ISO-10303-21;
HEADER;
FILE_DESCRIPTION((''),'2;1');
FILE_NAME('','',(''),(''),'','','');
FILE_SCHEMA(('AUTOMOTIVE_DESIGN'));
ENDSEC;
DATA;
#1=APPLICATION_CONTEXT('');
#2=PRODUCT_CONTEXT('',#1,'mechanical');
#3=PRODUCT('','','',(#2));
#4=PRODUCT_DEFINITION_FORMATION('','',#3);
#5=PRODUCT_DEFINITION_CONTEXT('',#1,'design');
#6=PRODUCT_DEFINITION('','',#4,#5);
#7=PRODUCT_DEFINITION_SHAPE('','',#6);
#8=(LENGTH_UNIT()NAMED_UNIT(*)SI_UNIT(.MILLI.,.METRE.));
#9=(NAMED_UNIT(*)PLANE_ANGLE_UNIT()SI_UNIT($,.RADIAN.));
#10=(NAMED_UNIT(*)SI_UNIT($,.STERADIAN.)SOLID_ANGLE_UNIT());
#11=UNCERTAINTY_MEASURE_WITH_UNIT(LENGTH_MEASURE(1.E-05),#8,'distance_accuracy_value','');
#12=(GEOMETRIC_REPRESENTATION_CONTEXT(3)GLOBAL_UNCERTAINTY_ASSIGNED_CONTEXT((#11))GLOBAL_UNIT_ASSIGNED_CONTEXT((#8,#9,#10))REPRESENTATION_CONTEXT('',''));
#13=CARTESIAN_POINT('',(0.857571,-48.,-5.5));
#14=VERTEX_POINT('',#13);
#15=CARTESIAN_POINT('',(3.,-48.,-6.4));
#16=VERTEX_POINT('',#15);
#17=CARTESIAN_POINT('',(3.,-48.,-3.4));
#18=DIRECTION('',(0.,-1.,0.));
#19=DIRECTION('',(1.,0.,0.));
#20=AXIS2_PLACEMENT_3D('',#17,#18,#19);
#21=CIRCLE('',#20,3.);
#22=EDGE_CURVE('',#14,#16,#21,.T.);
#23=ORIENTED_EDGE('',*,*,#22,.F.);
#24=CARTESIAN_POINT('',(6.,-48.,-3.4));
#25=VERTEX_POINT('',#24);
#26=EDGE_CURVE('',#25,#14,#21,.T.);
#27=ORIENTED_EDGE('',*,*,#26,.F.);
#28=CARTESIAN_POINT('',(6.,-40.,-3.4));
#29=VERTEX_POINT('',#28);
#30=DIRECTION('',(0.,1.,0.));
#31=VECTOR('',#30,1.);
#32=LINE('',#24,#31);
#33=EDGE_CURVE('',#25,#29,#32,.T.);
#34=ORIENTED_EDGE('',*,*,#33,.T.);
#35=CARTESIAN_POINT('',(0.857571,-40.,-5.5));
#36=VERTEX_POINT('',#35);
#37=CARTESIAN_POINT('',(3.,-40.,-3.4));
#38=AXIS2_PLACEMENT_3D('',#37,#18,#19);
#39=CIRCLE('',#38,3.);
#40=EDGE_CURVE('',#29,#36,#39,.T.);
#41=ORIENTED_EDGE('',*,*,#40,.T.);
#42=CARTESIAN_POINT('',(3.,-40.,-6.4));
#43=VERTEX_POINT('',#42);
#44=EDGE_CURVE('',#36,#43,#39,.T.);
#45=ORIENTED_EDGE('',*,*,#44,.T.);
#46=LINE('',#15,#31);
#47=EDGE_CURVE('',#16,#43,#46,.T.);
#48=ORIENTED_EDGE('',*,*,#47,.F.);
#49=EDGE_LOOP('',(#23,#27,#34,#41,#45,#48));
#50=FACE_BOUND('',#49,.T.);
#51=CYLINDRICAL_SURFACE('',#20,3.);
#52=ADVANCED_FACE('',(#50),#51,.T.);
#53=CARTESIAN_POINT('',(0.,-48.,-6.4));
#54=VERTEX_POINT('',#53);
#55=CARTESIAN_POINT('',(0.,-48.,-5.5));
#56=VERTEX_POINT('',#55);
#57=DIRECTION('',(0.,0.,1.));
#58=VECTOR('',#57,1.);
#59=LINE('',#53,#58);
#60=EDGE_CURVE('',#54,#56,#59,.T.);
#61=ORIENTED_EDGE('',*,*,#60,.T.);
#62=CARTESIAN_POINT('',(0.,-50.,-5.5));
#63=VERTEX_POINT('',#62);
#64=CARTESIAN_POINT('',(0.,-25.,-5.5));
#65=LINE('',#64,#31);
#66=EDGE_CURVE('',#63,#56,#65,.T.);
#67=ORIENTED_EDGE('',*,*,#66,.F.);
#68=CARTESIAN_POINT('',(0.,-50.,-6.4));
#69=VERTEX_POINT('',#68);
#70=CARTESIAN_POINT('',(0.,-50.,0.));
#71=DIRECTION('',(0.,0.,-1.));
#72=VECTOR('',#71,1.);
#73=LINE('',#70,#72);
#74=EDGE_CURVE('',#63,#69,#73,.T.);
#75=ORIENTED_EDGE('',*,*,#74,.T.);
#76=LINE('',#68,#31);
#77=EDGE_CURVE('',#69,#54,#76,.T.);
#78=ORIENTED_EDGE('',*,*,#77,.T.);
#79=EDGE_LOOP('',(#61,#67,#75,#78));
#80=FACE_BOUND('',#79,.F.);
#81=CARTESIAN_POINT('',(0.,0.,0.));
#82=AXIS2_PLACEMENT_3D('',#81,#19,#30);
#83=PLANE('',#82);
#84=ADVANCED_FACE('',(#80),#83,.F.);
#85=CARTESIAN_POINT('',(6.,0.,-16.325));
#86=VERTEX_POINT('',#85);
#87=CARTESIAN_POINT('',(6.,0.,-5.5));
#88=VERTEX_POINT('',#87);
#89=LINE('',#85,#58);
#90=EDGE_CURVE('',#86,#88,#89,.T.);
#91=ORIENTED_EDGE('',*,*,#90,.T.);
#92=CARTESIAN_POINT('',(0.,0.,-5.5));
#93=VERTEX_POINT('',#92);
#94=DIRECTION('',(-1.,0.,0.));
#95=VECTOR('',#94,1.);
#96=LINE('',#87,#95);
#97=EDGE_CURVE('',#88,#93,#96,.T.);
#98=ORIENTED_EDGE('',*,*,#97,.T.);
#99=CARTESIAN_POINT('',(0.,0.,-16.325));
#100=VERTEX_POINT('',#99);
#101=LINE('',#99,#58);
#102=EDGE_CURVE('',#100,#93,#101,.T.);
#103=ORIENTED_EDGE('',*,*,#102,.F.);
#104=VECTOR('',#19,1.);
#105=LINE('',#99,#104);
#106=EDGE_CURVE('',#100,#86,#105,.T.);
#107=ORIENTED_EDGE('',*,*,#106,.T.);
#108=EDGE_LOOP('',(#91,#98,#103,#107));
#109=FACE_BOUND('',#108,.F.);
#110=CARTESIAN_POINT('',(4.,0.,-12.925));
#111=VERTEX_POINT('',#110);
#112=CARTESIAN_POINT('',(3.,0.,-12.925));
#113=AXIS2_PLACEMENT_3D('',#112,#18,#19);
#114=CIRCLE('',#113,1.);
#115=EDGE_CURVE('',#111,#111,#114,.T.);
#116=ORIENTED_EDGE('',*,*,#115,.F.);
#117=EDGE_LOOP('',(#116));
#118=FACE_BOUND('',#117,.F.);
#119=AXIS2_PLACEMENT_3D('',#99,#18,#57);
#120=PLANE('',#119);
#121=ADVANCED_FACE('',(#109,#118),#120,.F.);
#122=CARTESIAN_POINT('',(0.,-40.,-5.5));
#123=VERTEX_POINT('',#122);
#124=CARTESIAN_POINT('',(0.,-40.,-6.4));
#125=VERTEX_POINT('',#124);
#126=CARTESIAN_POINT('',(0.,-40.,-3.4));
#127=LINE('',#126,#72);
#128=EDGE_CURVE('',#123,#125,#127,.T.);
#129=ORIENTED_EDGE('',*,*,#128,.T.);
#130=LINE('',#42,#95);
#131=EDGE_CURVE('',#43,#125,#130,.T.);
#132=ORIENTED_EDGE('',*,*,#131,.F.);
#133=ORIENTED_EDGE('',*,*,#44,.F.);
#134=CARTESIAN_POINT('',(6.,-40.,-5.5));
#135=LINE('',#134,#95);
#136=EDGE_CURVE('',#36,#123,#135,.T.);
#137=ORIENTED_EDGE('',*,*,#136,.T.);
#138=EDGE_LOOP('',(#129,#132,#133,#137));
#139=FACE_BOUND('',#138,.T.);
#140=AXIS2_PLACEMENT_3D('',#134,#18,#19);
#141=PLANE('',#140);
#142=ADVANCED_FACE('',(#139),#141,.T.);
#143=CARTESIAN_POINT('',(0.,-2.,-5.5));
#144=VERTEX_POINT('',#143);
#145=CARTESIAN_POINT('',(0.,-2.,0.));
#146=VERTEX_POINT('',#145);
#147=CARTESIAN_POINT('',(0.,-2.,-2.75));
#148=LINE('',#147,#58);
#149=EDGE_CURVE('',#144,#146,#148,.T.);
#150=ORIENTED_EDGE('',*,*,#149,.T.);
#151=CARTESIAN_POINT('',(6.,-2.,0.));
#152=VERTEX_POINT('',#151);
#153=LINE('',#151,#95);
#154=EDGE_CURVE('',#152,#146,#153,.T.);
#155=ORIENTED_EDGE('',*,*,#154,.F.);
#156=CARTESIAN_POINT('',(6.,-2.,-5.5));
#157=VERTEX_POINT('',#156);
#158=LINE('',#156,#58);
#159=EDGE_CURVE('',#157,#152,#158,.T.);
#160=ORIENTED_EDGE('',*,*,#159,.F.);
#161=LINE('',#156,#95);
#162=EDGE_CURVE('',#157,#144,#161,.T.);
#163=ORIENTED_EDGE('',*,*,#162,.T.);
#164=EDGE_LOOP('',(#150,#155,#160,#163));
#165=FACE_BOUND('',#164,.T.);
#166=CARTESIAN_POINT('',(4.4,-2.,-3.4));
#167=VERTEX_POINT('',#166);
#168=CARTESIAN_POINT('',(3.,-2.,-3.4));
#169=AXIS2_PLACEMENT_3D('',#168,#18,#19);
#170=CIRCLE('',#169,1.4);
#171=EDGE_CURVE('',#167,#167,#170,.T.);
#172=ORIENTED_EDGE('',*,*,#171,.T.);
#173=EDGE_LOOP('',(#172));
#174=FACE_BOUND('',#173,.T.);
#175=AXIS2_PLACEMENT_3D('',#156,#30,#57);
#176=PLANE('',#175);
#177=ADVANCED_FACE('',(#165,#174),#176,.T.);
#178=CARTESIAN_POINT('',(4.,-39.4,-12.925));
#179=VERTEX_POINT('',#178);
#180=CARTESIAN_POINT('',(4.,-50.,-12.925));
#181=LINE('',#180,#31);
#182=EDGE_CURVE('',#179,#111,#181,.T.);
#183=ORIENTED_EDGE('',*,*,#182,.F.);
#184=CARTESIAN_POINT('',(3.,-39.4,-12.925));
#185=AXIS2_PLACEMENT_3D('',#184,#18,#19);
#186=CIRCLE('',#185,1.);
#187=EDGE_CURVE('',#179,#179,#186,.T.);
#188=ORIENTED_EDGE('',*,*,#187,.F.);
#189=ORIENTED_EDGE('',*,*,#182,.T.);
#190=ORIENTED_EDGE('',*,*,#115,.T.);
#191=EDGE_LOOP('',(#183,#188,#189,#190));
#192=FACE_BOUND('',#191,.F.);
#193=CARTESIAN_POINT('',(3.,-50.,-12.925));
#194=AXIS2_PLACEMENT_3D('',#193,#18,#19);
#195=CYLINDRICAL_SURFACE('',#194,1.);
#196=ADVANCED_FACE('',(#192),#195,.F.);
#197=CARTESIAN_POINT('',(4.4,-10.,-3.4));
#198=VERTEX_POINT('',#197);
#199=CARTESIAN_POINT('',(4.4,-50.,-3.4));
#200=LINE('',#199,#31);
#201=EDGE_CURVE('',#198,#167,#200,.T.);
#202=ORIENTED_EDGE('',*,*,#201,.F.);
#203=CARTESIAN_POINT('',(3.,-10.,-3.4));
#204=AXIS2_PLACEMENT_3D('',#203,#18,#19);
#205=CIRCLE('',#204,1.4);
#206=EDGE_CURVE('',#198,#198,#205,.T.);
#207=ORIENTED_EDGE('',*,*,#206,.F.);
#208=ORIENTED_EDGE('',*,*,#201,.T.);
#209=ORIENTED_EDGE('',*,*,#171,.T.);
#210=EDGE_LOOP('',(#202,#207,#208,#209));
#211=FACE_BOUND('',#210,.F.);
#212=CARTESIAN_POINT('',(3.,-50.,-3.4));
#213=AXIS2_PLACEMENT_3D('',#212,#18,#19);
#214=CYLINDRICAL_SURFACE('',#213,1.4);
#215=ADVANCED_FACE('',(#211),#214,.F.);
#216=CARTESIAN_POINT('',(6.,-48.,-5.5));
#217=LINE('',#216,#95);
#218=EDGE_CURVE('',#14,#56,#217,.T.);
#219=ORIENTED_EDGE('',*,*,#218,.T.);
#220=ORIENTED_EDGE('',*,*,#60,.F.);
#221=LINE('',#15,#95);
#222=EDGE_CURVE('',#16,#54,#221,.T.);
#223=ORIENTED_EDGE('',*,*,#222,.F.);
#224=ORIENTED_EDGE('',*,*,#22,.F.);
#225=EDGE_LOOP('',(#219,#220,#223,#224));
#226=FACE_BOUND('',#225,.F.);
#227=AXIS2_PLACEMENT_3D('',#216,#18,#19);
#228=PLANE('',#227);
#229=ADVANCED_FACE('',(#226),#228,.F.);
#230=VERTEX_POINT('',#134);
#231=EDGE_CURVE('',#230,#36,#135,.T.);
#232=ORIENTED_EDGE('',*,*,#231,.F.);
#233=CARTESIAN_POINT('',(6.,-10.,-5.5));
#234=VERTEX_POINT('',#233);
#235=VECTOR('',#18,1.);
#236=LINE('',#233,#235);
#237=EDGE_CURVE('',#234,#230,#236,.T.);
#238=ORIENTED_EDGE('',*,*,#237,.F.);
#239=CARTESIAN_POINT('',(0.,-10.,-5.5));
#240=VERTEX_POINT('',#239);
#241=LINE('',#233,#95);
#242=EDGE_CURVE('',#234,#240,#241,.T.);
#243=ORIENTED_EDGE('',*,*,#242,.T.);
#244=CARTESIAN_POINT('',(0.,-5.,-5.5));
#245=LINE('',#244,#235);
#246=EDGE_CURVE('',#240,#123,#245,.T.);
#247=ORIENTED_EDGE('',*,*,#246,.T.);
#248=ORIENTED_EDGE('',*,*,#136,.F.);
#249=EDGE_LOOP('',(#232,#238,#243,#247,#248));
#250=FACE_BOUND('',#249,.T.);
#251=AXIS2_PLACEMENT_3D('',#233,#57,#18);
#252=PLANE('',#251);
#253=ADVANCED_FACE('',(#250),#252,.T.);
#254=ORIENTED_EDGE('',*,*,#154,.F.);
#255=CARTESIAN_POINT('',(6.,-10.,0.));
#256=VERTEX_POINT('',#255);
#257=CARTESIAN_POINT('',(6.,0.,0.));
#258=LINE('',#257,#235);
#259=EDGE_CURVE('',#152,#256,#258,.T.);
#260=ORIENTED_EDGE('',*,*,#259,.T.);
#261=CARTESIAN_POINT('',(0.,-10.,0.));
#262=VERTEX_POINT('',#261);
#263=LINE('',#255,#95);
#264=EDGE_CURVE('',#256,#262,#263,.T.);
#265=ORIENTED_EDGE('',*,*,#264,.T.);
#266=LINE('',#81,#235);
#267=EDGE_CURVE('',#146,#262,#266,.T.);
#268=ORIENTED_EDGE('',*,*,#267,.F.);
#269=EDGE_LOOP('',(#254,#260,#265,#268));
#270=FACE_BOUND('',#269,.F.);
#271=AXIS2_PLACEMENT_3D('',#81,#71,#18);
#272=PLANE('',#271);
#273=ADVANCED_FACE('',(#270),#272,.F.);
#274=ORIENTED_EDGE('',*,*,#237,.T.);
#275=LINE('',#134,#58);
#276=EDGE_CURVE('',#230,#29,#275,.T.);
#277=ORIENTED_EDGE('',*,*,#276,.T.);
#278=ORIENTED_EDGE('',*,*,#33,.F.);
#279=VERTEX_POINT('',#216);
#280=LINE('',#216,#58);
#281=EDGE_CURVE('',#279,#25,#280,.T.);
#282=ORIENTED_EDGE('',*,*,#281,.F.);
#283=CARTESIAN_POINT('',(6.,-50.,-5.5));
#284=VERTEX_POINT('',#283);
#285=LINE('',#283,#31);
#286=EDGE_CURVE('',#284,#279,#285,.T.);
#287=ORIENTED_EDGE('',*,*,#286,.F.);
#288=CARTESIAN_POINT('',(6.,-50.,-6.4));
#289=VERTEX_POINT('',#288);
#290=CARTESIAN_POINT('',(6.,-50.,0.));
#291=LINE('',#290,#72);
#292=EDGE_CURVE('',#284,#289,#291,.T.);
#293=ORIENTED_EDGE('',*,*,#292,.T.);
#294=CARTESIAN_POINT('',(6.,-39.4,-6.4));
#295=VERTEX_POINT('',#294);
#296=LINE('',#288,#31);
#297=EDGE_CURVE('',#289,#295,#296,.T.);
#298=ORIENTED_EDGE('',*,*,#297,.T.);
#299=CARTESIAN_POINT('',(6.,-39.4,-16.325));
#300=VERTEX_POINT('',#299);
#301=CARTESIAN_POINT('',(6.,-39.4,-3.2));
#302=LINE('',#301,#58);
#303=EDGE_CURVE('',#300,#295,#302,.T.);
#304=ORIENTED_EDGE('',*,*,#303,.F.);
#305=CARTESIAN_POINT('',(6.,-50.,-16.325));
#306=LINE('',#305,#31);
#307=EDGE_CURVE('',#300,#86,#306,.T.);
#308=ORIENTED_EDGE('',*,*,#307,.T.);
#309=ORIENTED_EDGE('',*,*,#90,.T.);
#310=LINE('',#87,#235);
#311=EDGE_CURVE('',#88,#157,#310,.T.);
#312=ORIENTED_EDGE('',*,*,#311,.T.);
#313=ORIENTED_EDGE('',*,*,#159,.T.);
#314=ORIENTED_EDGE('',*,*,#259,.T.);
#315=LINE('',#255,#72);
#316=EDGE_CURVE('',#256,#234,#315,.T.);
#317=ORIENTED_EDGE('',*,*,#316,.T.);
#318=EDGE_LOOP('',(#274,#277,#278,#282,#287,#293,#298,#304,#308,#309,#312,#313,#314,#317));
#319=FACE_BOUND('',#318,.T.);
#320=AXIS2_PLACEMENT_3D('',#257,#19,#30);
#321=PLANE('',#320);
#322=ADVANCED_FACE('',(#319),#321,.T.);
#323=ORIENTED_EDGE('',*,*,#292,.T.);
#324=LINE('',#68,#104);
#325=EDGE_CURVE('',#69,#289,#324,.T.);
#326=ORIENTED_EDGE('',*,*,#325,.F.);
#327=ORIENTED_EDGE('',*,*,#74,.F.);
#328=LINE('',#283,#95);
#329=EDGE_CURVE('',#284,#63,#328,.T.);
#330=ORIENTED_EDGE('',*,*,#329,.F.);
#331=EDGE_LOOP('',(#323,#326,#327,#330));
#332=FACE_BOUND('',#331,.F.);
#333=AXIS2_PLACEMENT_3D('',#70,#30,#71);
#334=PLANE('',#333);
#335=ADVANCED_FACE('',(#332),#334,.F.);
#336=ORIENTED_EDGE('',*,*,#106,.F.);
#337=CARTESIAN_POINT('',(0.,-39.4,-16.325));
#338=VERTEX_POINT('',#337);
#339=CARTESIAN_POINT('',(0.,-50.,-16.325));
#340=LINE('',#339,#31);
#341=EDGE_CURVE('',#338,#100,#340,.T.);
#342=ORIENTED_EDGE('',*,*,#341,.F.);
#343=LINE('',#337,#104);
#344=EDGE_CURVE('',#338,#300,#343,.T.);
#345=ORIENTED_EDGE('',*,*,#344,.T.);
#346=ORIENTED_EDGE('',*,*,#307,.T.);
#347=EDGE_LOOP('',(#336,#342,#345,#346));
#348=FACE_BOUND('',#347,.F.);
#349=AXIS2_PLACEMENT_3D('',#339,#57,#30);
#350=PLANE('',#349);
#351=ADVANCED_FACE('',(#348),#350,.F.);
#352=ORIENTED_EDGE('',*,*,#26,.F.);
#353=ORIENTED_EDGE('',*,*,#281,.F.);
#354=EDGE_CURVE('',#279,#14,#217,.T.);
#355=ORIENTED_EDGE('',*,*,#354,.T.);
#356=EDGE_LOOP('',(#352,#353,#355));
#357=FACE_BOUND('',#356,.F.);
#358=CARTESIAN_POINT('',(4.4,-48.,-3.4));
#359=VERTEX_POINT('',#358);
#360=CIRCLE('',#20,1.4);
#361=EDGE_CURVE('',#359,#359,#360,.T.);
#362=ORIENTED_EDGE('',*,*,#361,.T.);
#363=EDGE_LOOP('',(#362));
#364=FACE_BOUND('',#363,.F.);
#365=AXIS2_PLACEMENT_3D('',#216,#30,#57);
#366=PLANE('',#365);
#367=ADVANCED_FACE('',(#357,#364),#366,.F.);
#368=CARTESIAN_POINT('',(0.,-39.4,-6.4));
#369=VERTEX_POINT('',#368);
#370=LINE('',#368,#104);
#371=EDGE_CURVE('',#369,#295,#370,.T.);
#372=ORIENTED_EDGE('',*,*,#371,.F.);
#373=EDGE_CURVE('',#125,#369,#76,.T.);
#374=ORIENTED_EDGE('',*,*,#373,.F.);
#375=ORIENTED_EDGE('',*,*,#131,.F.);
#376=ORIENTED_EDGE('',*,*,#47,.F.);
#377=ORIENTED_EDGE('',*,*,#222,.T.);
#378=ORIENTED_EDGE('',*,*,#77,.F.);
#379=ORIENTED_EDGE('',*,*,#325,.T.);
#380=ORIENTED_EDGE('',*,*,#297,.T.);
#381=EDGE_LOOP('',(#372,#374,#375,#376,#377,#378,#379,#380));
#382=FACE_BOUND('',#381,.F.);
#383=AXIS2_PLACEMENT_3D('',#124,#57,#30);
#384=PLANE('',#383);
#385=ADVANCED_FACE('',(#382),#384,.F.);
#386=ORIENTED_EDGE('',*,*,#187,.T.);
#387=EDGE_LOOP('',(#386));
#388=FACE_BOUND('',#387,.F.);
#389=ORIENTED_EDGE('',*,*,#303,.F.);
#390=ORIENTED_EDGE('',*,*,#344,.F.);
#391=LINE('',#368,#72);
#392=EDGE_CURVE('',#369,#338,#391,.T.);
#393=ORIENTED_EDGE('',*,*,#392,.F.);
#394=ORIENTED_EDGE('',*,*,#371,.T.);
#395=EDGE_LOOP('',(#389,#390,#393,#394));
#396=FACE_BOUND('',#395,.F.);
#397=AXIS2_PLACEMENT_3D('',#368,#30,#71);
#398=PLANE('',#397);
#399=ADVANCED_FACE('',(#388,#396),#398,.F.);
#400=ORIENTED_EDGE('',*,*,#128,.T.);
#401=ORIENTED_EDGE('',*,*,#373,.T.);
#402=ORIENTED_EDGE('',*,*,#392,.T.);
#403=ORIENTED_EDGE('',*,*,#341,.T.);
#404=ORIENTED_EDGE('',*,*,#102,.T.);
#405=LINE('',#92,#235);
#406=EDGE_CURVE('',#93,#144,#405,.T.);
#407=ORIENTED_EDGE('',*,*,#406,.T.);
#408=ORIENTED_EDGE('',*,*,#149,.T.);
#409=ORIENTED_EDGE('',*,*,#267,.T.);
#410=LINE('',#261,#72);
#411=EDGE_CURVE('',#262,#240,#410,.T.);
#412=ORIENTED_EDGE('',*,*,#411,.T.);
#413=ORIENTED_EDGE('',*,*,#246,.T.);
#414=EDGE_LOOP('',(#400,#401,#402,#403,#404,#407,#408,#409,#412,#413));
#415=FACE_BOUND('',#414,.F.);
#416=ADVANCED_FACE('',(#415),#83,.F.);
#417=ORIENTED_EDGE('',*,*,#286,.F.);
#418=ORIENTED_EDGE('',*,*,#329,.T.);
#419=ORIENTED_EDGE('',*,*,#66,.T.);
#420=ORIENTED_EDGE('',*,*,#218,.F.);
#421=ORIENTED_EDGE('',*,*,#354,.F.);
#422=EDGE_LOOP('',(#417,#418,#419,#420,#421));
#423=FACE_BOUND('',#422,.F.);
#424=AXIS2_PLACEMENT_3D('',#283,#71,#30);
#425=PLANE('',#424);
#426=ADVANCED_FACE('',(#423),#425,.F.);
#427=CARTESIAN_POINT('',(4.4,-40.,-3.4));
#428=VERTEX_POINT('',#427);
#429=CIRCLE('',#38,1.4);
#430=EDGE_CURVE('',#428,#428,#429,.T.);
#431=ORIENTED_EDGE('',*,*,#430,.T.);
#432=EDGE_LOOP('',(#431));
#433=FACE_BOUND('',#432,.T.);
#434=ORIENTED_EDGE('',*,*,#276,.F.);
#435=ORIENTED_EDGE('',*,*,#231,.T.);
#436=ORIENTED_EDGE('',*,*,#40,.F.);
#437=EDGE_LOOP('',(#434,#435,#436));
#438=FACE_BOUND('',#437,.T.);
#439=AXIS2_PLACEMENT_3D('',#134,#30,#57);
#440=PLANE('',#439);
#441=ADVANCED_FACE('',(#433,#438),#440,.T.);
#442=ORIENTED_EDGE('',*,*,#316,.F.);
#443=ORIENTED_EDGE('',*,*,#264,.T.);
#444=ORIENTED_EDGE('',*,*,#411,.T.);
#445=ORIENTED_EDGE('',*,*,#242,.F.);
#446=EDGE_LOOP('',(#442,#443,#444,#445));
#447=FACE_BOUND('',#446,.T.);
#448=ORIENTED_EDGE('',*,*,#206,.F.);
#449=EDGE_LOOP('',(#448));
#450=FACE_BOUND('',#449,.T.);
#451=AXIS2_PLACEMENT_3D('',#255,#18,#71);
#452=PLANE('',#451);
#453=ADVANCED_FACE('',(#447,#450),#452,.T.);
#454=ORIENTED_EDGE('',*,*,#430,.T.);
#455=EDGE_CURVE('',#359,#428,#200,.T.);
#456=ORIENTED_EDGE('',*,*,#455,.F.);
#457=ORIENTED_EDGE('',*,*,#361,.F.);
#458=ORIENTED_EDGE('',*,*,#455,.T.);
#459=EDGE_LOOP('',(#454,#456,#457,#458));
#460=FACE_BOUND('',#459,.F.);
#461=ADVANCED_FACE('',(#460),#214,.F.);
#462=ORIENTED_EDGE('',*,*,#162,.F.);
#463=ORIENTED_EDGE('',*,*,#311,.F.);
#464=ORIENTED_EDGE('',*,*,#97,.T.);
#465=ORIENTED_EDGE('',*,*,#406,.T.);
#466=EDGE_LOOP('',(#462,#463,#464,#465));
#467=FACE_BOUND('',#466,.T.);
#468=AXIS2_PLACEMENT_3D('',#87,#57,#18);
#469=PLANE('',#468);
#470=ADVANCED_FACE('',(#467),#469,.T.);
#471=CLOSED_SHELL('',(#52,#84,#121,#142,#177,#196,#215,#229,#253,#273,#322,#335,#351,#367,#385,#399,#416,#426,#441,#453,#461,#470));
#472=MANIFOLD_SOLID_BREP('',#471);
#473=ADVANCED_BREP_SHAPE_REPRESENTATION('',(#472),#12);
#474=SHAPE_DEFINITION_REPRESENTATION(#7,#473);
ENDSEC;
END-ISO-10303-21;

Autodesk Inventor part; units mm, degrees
ref_plane "YZ Plane" through (0, 0, 0) normal (1, 0, 0) x (0, 1, 0)
ref_plane "XZ Plane" through (0, 0, 0) normal (0, 1, 0) x (-1, 0, 0)
ref_plane "XY Plane" through (0, 0, 0) normal (0, 0, 1) x (1, 0, 0)
sketch "Sketch8" plane through (0, 0, 0) normal (1, 0, 0) x (0, 1, 0)
  line L0 (0, 0) -> (-50, 0)
  line L1 (-50, 0) -> (-50, -16.325)
  line L2 (-50, -16.325) -> (0, -16.325)
  line L3 (0, -16.325) -> (0, 0)
  dimension "d20" = 50
  dimension "d21" = 16.325
extrude "Extrusion5" add sketch "Sketch8" along normal blind 6
sketch "Sketch9" plane through (0, -50, -16.325) normal (0, -1, 0) x (1, 0, 0)
  circle A0 centre (3, 12.925) radius 1.4
  circle A1 centre (3, 3.4) radius 1
  line L0 (0, 16.325) -> (6, 16.325) projected
  line L1 (0, 16.325) -> (0, 0) projected
  line L2 (6, 16.325) -> (6, 0) projected
  line L3 (0, 0) -> (6, 0) projected
  line L4 (3, 16.325) -> (3, 0)
  line L5 (0, 8.1625) -> (6, 8.1625)
  dimension "d24" = 2.8
  dimension "d25" = 2
  dimension "d30" = 9.525
  dimension "d31" = 9.525
  dimension "d32" = 0
  dimension "d33" = 0
extrude "Extrusion6" cut sketch "Sketch9" against normal through all contours A0 L4 | L4 A0 | L4 A1 | A1 L4
sketch "Sketch10" plane through (6, 0, 0) normal (1, 0, 0) x (0, 0, -1)
  line L0 (0, 0) -> (0, -50) projected
  line L1 (0, -50) -> (5.5, -50)
  line L2 (5.5, -50) -> (5.5, -48)
  line L3 (5.5, -48) -> (0, -48)
  line L4 (0, -48) -> (0, -50)
  line L5 (16.325, 0) -> (0, 0) projected
  line L6 (0, 0) -> (5.5, 0)
  line L7 (5.5, 0) -> (5.5, -2)
  line L8 (5.5, -2) -> (0, -2)
  line L9 (0, -2) -> (0, 0)
  dimension "d36" = 5.5
  dimension "d37" = 2
  dimension "d38" = 2
extrude "Extrusion7" cut sketch "Sketch10" against normal through all
sketch "Sketch11" plane through (6, 0, 0) normal (1, 0, 0) x (0, 0, -1)
  line L0 (0, -2) -> (0, -48) projected
  line L1 (0, -25) -> (16.325, -25)
  line L2 (16.325, -50) -> (16.325, 0) projected
  line L3 (5.5, -40) -> (0, -40)
  line L4 (0, -40) -> (0, -10)
  line L5 (0, -10) -> (5.5, -10)
  line L6 (5.5, -10) -> (5.5, -40)
  line L7 (5.5, -40) -> (0, -10) construction
  line L8 (0, -40) -> (5.5, -10) construction
  point P0 (0, 0)
  point P1 (2.75, -25)
  dimension "d41" = 2.75
  dimension "d42" = 30
extrude "Extrusion8" cut sketch "Sketch11" against normal through all
sketch "Sketch12" plane through (6, -48, -5.5) normal (0, -1, 0) x (1, 0, 0)
  circle A0 centre (-3, 2.1) radius 1.4 projected
  circle A1 centre (-3, 2.1) radius 3
  line L0 (-6, 5.5) -> (-6, 0) projected
  line L1 (0, -10.825) -> (0, 0) projected
  line L2 (-3, -0.9) -> (-6, -0.9)
  line L3 (-6, -10.825) -> (-6, 0) projected
  line L4 (0, 0) -> (0, 5.5) projected
  line L5 (0, 2.1) -> (0, 5.5)
  line L6 (0, 5.5) -> (-6, 5.5)
  line L7 (-6, -0.9) -> (-6, 5.5)
  point P0 (0, -0.9)
extrude "Extrusion9" cut sketch "Sketch12" against normal blind 8 contours L2 L3 L0 A1 | A1 L0 L6 L4
sketch "Sketch13" plane through (0, 0, 0) normal (-1, 0, 0) x (0, 0, 1)
  line L0 (-6.4, -48) -> (-6.4, -40) projected
  line L1 (-16.325, -50) -> (-6.4, -50)
  line L2 (-6.4, -50) -> (-6.4, -39.4)
  line L3 (-6.4, -39.4) -> (-16.325, -39.4)
  line L4 (-16.325, -39.4) -> (-16.325, -50)
  point P0 (0, 0)
  dimension "d47" = 10.6
extrude "Extrusion10" cut sketch "Sketch13" against normal through all
properties part number "tracks2"
